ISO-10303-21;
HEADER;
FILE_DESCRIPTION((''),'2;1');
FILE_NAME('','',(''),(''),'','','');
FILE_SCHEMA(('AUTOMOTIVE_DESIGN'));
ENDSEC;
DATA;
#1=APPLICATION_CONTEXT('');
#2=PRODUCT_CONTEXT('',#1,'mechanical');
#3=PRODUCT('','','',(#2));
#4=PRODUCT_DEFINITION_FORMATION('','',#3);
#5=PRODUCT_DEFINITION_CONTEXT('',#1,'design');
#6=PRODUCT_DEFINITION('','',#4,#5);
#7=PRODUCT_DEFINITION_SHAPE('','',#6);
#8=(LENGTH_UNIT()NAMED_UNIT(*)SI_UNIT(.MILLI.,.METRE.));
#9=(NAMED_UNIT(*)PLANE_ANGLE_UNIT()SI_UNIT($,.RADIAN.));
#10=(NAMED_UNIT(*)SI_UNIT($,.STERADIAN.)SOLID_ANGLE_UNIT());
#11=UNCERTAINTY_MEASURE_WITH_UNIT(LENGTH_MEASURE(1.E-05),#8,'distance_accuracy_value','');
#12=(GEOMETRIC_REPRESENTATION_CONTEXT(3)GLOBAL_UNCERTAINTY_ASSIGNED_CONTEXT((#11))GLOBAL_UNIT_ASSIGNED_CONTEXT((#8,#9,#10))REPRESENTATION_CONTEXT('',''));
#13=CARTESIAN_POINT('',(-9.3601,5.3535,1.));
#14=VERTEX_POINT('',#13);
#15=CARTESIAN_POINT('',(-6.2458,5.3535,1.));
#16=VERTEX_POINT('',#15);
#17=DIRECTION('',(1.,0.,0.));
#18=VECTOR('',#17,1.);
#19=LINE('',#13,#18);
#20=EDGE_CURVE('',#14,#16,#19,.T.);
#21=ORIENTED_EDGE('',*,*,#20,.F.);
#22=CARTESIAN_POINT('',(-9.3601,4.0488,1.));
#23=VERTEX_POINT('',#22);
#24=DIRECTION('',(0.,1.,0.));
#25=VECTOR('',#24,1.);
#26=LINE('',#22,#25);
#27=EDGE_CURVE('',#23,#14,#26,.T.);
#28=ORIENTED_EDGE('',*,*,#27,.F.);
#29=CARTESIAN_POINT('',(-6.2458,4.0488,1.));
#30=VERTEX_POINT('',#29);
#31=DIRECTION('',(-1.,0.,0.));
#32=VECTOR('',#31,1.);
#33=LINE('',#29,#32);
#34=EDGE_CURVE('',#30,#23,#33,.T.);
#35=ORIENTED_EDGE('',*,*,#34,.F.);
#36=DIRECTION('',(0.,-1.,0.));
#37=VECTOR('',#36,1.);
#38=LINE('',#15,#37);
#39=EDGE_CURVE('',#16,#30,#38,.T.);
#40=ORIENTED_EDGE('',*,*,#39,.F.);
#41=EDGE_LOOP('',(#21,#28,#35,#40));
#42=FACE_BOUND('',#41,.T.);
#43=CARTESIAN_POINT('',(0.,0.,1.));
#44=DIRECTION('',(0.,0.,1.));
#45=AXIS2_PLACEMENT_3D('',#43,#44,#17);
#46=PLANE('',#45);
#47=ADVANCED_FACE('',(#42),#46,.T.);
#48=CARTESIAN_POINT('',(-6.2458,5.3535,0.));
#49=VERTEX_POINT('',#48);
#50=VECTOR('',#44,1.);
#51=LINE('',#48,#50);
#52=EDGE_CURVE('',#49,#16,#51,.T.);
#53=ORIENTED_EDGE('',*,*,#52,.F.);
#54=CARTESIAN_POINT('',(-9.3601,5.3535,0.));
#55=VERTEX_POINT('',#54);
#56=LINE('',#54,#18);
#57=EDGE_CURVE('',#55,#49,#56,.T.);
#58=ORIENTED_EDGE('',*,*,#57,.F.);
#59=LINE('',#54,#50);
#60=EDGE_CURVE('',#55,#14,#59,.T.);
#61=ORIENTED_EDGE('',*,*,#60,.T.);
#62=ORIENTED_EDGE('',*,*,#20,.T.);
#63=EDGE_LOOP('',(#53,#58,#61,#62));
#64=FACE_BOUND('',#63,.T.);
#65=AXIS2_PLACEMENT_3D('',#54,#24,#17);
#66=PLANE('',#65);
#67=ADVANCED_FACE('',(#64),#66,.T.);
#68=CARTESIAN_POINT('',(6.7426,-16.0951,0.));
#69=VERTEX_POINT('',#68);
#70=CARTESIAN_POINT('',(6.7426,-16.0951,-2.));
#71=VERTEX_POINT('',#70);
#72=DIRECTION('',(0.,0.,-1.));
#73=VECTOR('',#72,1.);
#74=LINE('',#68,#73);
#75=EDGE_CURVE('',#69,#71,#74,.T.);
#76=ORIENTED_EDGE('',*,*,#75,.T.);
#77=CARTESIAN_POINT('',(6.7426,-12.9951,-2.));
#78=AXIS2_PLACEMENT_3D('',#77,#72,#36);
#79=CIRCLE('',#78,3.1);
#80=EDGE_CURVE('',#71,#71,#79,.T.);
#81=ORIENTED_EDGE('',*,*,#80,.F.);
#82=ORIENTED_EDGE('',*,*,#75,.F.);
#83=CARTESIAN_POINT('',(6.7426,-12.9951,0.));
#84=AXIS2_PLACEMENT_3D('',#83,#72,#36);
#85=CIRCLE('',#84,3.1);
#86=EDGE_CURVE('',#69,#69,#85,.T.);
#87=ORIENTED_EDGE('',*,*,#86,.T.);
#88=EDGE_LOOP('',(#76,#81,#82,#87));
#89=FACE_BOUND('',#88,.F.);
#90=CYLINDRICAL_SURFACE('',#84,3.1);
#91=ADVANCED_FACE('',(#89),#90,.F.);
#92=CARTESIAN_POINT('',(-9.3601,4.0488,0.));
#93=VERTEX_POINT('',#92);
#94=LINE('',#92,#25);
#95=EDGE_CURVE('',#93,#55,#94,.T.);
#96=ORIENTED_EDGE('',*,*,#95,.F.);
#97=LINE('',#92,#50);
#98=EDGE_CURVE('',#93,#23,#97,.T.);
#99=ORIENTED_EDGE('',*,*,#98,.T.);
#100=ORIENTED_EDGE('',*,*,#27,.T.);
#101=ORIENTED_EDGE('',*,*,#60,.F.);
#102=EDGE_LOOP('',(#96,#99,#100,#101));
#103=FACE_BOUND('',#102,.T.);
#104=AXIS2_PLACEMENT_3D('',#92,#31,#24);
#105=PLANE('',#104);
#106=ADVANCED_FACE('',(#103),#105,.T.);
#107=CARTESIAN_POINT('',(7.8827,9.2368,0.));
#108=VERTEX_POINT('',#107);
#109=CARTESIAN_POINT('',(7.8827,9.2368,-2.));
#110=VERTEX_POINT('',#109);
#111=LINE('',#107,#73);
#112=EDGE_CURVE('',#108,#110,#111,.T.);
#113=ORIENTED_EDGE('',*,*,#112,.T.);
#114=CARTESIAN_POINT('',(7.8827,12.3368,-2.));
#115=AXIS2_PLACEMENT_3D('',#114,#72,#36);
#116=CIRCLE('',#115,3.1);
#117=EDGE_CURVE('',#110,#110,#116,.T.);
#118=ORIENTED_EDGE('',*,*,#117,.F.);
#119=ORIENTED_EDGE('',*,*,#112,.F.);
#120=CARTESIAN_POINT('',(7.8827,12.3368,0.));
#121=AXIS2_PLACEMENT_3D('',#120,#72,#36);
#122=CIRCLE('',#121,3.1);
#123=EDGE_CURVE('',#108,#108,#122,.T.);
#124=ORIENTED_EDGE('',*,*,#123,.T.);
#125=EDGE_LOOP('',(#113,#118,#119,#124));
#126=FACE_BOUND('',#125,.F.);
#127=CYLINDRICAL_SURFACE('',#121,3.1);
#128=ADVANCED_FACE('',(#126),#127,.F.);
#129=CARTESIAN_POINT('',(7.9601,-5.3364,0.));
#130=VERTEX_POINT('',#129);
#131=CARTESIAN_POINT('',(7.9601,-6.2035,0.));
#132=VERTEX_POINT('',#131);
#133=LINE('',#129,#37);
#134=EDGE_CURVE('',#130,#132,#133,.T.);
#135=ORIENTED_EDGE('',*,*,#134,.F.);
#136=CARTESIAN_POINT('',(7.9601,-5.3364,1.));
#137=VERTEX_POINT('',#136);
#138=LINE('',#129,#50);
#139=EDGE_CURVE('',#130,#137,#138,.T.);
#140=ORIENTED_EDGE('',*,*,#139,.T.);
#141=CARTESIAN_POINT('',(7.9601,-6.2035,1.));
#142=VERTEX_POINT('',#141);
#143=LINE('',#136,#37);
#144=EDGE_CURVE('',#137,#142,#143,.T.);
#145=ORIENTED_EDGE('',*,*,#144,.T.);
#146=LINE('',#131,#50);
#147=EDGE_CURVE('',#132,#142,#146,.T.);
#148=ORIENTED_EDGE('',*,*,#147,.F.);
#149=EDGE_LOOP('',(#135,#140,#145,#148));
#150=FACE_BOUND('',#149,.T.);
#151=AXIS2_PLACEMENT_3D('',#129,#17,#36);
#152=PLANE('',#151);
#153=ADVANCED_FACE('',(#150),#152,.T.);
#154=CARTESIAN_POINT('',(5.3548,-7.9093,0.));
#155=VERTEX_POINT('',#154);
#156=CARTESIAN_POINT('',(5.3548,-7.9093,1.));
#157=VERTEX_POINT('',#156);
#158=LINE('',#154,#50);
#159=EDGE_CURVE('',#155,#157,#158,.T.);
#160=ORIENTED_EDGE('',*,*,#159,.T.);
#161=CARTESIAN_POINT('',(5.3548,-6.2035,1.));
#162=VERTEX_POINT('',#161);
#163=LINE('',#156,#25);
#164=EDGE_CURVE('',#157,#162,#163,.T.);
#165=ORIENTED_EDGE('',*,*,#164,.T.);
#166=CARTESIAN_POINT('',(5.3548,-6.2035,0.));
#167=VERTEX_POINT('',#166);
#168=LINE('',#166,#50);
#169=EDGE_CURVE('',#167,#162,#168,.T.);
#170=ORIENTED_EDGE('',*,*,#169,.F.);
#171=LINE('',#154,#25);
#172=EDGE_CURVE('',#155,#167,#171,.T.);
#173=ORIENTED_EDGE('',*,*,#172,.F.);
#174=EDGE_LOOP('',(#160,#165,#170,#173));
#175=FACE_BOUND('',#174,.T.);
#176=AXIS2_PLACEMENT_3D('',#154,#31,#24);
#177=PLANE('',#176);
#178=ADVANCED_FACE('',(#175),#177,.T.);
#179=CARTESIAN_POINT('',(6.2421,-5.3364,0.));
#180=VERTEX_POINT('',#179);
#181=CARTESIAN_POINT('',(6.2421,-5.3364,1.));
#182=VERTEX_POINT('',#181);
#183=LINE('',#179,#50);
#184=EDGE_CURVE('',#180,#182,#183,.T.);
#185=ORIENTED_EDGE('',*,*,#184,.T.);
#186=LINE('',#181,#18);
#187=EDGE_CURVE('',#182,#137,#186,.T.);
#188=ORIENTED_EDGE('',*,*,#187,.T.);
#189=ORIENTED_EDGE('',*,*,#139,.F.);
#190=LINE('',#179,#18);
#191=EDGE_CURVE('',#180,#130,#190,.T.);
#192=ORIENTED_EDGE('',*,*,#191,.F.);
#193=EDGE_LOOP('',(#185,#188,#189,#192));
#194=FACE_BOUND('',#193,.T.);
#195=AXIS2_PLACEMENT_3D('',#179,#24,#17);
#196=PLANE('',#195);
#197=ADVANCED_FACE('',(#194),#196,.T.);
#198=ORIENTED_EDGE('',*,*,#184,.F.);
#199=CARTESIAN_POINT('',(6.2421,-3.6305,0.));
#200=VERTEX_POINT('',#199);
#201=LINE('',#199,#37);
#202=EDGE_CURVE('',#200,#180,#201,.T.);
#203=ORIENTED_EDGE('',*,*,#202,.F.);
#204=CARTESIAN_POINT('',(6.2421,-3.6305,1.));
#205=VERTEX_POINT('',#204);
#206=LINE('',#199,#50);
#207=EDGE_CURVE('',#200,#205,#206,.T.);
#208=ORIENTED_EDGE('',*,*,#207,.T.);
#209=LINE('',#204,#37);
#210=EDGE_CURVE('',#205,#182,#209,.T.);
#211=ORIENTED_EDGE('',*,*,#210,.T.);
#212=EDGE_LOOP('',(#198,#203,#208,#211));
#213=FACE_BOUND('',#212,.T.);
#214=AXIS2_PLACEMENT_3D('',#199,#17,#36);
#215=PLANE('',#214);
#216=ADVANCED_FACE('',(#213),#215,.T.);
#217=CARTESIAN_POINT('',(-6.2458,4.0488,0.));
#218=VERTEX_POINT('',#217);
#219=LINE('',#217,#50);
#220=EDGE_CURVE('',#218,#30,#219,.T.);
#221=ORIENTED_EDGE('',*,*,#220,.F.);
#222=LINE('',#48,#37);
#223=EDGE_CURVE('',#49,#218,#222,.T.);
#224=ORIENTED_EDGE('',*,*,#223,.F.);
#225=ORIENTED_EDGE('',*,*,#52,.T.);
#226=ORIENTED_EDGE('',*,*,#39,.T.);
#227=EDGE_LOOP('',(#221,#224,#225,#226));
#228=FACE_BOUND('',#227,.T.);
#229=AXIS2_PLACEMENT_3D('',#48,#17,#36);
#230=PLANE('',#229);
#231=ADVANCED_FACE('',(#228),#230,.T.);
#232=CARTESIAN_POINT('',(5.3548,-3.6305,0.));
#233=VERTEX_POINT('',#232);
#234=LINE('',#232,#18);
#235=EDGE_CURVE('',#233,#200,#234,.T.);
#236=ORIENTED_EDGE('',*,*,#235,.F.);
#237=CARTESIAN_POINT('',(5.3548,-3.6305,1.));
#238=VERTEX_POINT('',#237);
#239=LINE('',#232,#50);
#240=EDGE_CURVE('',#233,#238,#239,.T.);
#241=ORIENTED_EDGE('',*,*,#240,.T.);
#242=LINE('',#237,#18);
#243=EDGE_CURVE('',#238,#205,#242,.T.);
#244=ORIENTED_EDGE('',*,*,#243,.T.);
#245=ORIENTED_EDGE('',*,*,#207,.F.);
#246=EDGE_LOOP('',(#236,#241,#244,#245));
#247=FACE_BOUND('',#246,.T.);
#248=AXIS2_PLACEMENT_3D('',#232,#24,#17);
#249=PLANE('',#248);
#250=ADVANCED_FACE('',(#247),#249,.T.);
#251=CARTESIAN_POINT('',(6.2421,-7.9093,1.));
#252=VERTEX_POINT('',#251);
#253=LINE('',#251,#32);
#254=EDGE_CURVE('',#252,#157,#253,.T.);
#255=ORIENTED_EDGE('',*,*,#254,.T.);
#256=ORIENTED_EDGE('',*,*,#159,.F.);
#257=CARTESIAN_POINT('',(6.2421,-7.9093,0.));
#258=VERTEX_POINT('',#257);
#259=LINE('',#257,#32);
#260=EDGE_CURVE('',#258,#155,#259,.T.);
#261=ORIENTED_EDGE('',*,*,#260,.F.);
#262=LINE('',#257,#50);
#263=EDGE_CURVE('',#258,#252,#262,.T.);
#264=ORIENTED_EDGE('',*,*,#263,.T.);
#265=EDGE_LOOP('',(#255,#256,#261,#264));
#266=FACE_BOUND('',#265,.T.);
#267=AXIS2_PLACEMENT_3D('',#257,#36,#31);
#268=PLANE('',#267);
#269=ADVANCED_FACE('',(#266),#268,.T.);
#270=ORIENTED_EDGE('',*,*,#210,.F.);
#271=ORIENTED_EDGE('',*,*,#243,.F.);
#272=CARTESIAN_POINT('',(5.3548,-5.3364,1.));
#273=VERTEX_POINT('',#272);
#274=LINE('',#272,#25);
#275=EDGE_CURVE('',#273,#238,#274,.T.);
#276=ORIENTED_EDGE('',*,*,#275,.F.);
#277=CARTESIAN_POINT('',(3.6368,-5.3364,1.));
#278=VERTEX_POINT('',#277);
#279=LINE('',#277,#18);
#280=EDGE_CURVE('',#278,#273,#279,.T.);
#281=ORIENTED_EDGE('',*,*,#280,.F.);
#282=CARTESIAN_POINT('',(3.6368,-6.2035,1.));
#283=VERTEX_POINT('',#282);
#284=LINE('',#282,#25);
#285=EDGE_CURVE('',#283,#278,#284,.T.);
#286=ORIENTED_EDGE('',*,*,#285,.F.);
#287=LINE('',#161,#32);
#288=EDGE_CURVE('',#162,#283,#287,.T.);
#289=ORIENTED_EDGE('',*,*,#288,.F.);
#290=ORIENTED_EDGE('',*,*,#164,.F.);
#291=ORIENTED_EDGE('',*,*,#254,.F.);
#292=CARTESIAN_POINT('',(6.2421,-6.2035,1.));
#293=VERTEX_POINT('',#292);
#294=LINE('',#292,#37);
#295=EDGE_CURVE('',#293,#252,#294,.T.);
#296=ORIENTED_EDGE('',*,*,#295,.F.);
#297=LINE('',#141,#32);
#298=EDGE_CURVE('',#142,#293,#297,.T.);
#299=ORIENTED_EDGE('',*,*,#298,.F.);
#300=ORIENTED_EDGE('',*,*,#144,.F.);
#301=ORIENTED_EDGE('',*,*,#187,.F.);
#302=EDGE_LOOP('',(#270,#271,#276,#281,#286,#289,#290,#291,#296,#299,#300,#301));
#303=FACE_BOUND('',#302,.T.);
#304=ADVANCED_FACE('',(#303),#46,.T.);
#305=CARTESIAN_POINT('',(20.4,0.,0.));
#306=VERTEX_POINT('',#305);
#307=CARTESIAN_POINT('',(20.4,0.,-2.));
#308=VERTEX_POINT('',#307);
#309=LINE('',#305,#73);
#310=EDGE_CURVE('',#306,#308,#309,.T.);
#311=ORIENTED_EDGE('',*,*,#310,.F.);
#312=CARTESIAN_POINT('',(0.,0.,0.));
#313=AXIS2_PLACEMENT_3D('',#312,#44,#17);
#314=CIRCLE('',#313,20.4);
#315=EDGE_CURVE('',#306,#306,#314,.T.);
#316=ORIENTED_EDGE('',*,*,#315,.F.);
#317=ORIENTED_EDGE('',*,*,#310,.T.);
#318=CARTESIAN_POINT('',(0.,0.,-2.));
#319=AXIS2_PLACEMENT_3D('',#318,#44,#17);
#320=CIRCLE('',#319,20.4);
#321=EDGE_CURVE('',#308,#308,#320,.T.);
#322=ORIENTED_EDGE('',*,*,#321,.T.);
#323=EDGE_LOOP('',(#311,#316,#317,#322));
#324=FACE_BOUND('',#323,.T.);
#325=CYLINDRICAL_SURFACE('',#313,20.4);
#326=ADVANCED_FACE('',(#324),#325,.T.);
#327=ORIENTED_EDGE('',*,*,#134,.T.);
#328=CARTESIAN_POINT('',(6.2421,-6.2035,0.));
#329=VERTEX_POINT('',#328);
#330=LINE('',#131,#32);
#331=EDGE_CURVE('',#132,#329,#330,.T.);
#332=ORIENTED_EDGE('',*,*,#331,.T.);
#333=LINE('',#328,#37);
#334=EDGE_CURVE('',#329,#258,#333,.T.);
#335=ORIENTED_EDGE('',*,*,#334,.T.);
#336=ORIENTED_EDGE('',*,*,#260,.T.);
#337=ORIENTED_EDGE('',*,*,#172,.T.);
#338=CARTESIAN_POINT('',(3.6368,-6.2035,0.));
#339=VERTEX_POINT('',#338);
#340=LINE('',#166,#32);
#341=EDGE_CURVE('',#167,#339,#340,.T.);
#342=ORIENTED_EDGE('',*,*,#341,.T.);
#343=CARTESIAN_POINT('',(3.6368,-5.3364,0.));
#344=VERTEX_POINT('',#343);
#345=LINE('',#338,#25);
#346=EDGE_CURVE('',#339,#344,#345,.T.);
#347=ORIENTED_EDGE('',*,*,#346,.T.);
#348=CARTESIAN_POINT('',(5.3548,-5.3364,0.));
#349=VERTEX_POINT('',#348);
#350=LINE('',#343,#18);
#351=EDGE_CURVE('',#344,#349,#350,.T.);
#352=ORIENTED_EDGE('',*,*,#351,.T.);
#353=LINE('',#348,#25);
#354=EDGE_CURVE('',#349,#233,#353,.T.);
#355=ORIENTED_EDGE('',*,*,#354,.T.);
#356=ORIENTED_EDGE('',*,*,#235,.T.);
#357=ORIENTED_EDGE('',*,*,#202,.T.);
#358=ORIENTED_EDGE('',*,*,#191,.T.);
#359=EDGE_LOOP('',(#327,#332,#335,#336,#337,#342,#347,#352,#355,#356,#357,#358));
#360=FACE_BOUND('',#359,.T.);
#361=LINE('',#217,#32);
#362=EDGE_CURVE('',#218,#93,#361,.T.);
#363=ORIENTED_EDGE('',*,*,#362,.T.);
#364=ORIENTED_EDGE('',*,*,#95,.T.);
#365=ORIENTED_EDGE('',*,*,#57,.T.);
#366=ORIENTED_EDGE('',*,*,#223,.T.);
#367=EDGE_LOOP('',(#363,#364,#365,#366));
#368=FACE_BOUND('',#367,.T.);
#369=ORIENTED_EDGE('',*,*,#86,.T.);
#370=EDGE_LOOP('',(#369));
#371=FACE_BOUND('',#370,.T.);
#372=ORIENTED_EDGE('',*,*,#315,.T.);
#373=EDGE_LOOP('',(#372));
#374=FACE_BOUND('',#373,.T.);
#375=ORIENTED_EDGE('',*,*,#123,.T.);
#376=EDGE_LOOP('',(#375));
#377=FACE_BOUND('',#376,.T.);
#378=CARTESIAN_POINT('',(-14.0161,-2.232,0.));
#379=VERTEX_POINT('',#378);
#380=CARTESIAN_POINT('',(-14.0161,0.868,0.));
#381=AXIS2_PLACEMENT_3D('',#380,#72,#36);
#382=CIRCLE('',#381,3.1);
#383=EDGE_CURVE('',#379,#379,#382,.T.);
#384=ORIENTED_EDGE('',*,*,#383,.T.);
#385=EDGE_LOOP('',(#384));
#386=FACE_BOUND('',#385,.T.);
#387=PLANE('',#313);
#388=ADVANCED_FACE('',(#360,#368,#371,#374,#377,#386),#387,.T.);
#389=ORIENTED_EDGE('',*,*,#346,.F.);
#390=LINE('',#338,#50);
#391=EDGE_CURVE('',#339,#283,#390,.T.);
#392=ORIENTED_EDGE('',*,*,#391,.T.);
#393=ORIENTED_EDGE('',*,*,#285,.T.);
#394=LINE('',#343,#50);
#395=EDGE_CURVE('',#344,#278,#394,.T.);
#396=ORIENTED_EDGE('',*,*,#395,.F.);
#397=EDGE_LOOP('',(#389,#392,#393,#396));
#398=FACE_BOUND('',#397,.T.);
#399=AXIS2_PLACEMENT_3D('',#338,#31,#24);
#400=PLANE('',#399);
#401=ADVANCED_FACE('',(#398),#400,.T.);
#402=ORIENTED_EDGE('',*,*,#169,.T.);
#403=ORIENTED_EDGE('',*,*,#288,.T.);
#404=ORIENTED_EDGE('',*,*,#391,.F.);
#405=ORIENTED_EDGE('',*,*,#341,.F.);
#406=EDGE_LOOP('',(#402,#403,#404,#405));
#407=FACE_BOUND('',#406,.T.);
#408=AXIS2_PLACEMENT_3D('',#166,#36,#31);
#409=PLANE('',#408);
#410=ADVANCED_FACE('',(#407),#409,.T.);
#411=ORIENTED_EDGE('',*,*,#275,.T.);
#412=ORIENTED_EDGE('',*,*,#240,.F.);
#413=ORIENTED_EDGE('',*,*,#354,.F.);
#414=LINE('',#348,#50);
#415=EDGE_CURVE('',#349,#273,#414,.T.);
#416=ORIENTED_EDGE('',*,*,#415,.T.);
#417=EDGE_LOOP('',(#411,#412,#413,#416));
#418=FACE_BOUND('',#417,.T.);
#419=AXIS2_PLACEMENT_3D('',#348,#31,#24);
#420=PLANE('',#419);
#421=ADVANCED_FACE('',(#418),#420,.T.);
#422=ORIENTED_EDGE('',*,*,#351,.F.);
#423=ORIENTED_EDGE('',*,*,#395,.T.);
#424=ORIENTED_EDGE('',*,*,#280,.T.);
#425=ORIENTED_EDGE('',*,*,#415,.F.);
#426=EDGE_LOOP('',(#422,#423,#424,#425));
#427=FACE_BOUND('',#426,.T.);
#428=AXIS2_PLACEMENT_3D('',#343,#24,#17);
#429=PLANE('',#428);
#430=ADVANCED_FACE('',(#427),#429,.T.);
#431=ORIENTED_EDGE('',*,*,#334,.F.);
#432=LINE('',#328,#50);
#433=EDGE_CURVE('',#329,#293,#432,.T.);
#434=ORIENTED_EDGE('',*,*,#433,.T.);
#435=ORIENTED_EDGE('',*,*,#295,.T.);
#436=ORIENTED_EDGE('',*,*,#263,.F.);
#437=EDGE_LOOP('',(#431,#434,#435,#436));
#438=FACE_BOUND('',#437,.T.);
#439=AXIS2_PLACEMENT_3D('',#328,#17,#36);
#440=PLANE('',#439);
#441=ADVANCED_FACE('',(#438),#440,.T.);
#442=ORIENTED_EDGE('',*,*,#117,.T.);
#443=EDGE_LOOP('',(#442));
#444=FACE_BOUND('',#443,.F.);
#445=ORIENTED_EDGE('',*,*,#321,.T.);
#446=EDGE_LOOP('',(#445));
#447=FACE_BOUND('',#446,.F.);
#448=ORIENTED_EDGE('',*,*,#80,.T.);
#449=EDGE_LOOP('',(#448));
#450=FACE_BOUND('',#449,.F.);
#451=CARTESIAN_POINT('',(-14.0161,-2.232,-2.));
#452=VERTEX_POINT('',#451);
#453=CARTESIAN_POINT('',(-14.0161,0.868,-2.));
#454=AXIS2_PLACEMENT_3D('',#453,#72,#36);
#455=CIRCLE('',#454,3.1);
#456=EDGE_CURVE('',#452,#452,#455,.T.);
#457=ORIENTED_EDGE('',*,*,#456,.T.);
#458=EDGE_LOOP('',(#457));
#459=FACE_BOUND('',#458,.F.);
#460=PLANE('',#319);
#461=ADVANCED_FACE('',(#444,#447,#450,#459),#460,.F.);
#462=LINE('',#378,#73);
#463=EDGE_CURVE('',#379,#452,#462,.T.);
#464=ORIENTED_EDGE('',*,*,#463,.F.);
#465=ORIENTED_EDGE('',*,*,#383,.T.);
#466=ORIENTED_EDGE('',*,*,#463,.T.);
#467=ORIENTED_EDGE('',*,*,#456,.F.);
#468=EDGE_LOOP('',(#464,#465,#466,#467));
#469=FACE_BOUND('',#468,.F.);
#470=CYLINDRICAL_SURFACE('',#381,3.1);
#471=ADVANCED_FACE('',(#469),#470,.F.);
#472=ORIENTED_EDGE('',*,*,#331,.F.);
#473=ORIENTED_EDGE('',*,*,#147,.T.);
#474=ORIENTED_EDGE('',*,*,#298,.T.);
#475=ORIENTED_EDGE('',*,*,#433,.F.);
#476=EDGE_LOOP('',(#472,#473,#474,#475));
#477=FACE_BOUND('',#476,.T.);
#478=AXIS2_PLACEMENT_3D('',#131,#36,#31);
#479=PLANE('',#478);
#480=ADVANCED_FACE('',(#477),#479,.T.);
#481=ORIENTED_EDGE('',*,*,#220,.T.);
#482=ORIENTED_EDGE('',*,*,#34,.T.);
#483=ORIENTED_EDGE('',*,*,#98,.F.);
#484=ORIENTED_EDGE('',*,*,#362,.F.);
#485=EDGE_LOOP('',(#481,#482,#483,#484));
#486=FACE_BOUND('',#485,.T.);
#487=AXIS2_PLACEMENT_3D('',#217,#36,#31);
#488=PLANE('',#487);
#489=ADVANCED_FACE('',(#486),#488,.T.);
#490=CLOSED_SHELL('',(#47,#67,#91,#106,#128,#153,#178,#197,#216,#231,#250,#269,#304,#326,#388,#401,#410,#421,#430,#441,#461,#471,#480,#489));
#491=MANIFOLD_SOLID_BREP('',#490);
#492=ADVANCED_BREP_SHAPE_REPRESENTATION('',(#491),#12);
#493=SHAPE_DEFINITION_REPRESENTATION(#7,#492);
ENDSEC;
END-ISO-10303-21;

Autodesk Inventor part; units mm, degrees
ref_plane "YZ Plane" through (0, 0, 0) normal (1, 0, 0) x (0, 1, 0)
ref_plane "XZ Plane" through (0, 0, 0) normal (0, 1, 0) x (-1, 0, 0)
ref_plane "XY Plane" through (0, 0, 0) normal (0, 0, 1) x (1, 0, 0)
sketch "Skizze1" plane through (0, 0, 0) normal (0, 0, 1) x (1, 0, 0)
  circle A0 centre (0, 0) radius 20.4
  dimension "d0" = 40.8
extrude "Extrusion1" add sketch "Skizze1" against normal blind 2
sketch "Skizze2" plane through (0, 0, 0) normal (0, 0, 1) x (1, 0, 0)
  circle A0 centre (10.4908, -0.4387) radius 8.6464 projected
  circle A1 centre (-5.6254, -8.866) radius 9 projected
  circle A2 centre (-4.8655, 9.3047) radius 8.6464 projected
  circle A3 centre (0, 0) radius 20.5 projected
  circle A4 centre (-14.0161, 0.868) radius 3.1
  line L0 (-4.8655, 0.6582) -> (-4.8655, 0.1019) construction
  line L1 (-20.4642, 1.2118) -> (10.4908, -0.4387) construction
  circle A5 centre (6.2563, -12.5723) radius 3.1
  circle A6 centre (7.7598, 11.7043) radius 3.1
  point P0 (0, 0)
  point P1 (6.7426, -12.9951)
  point P2 (7.8827, 12.3368)
  dimension "d15" = 6.2
  dimension "d22" = 360
hole "Bohrung1" at (6.7426, -12.9951, 0) at (-14.0161, 0.868, 0) at (7.8827, 12.3368, 0) direction (0, 0, -1) diameter 6.2 end through all
sketch "Skizze3" plane through (0, 0, 0) normal (0, 0, 1) x (1, 0, 0)
  line L0 (2.9844, -3.6305) -> (8.6125, -3.6305) construction
  line L1 (8.6125, -3.6305) -> (8.6125, -10.4322) construction
  line L2 (8.6125, -10.4322) -> (2.9844, -10.4322) construction
  line L3 (2.9844, -10.4322) -> (2.9844, -3.6305) construction
  line L4 (-9.8763, 5.3535) -> (-5.1258, 5.3535) construction
  line L5 (-5.1258, 5.3535) -> (-5.1258, 3.2524) construction
  line L6 (-5.1258, 3.2524) -> (-9.8763, 3.2524) construction
  line L7 (-9.8763, 3.2524) -> (-9.8763, 5.3535) construction
  line L8 (7.9601, -6.2035) -> (6.2421, -6.2035)
  line L9 (6.2421, -6.2035) -> (6.2421, -7.9093)
  line L10 (6.2421, -7.9093) -> (5.3548, -7.9093)
  line L11 (5.3548, -7.9093) -> (5.3548, -6.2035)
  line L12 (5.3548, -6.2035) -> (3.6368, -6.2035)
  line L13 (3.6368, -6.2035) -> (3.6368, -5.3364)
  line L14 (3.6368, -5.3364) -> (5.3548, -5.3364)
  line L15 (5.3548, -5.3364) -> (5.3548, -3.6305)
  line L16 (5.3548, -3.6305) -> (6.2421, -3.6305)
  line L17 (6.2421, -3.6305) -> (6.2421, -5.3364)
  line L18 (6.2421, -5.3364) -> (7.9601, -5.3364)
  line L19 (7.9601, -5.3364) -> (7.9601, -6.2035)
  line L20 (-6.2458, 4.0488) -> (-9.3601, 4.0488)
  line L21 (-9.3601, 4.0488) -> (-9.3601, 5.3535)
  line L22 (-9.3601, 5.3535) -> (-6.2458, 5.3535)
  line L23 (-6.2458, 5.3535) -> (-6.2458, 4.0488)
  point P0 (0, 0)
extrude "Extrusion2" add sketch "Skizze3" along normal blind 1
properties part number "akkufach_deckel"
